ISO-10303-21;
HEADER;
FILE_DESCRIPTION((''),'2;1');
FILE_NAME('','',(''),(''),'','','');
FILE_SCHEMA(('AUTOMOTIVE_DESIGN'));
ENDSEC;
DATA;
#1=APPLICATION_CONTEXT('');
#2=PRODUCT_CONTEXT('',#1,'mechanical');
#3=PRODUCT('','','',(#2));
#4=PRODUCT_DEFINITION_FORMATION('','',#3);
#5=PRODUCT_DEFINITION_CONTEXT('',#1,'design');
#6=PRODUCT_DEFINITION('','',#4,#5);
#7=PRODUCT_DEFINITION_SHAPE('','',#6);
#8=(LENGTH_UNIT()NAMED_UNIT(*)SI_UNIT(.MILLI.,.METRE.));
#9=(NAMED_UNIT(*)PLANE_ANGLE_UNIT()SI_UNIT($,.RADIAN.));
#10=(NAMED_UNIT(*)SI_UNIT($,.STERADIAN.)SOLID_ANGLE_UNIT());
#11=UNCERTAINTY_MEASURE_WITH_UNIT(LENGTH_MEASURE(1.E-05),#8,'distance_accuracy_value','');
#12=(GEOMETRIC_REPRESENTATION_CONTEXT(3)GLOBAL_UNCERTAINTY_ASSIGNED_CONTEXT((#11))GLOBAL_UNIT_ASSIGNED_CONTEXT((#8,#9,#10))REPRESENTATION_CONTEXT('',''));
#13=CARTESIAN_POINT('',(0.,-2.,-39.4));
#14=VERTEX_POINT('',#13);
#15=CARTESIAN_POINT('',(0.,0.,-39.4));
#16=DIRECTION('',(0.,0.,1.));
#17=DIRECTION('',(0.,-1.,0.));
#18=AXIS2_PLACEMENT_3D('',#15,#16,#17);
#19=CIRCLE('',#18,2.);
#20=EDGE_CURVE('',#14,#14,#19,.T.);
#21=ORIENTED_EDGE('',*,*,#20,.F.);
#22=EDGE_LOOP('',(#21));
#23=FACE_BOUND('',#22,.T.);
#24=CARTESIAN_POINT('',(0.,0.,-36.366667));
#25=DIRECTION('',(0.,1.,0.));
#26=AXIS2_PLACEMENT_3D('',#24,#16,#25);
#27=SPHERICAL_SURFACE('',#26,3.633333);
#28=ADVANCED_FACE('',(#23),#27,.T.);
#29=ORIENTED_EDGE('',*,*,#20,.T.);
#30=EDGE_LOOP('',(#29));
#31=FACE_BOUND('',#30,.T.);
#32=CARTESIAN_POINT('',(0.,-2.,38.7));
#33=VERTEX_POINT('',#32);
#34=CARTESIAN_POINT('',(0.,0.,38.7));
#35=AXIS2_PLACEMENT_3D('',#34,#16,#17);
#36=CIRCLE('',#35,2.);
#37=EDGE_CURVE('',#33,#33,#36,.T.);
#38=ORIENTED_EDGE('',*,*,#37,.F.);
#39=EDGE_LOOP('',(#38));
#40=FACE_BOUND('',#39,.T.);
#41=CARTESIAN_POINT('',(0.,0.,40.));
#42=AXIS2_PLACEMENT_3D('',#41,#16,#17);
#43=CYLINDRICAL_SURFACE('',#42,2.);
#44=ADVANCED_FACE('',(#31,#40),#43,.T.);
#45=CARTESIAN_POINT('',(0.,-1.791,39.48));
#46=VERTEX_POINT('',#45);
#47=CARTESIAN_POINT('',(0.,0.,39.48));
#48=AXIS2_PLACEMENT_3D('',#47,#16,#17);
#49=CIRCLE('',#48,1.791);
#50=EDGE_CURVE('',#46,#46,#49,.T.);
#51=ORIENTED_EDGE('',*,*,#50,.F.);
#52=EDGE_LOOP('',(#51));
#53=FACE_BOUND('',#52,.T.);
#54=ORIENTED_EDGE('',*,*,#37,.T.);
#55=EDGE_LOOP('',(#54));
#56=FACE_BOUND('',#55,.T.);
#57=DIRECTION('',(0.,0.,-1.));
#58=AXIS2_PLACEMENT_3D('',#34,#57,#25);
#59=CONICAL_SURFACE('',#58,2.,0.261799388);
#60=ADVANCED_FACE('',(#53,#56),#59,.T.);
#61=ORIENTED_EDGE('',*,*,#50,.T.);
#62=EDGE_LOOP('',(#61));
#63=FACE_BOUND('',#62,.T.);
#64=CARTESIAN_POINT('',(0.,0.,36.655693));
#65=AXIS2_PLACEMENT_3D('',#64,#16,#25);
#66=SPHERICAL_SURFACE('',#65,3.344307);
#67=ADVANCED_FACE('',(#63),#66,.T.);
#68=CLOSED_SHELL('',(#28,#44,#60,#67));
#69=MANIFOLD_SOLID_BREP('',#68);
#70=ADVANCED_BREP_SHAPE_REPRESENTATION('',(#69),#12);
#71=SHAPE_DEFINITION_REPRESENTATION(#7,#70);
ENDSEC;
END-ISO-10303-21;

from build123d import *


with BuildPart() as part:
    # Sketch3 → Revolve1 (revolve)
    with BuildSketch(Plane(origin=(0, 0, 0), x_dir=(0, 0, -1), z_dir=(1, 0, 0))):
        with BuildLine():
            Line((-40, 0), (40, 0))
            ThreePointArc((40, 0), (39.846768836, 1.044030651), (39.4, 2))
            Line((39.4, 2), (-38.7, 2))
            Line((-38.7, 2), (-39.48, 1.79099963))
            ThreePointArc((-39.48, 1.79099963), (-39.867370053, 0.932480519), (-40, 0))
        make_face()
    revolve(axis=Axis((0, 0, 40), (0, 0, -1)))


solid = part.part
